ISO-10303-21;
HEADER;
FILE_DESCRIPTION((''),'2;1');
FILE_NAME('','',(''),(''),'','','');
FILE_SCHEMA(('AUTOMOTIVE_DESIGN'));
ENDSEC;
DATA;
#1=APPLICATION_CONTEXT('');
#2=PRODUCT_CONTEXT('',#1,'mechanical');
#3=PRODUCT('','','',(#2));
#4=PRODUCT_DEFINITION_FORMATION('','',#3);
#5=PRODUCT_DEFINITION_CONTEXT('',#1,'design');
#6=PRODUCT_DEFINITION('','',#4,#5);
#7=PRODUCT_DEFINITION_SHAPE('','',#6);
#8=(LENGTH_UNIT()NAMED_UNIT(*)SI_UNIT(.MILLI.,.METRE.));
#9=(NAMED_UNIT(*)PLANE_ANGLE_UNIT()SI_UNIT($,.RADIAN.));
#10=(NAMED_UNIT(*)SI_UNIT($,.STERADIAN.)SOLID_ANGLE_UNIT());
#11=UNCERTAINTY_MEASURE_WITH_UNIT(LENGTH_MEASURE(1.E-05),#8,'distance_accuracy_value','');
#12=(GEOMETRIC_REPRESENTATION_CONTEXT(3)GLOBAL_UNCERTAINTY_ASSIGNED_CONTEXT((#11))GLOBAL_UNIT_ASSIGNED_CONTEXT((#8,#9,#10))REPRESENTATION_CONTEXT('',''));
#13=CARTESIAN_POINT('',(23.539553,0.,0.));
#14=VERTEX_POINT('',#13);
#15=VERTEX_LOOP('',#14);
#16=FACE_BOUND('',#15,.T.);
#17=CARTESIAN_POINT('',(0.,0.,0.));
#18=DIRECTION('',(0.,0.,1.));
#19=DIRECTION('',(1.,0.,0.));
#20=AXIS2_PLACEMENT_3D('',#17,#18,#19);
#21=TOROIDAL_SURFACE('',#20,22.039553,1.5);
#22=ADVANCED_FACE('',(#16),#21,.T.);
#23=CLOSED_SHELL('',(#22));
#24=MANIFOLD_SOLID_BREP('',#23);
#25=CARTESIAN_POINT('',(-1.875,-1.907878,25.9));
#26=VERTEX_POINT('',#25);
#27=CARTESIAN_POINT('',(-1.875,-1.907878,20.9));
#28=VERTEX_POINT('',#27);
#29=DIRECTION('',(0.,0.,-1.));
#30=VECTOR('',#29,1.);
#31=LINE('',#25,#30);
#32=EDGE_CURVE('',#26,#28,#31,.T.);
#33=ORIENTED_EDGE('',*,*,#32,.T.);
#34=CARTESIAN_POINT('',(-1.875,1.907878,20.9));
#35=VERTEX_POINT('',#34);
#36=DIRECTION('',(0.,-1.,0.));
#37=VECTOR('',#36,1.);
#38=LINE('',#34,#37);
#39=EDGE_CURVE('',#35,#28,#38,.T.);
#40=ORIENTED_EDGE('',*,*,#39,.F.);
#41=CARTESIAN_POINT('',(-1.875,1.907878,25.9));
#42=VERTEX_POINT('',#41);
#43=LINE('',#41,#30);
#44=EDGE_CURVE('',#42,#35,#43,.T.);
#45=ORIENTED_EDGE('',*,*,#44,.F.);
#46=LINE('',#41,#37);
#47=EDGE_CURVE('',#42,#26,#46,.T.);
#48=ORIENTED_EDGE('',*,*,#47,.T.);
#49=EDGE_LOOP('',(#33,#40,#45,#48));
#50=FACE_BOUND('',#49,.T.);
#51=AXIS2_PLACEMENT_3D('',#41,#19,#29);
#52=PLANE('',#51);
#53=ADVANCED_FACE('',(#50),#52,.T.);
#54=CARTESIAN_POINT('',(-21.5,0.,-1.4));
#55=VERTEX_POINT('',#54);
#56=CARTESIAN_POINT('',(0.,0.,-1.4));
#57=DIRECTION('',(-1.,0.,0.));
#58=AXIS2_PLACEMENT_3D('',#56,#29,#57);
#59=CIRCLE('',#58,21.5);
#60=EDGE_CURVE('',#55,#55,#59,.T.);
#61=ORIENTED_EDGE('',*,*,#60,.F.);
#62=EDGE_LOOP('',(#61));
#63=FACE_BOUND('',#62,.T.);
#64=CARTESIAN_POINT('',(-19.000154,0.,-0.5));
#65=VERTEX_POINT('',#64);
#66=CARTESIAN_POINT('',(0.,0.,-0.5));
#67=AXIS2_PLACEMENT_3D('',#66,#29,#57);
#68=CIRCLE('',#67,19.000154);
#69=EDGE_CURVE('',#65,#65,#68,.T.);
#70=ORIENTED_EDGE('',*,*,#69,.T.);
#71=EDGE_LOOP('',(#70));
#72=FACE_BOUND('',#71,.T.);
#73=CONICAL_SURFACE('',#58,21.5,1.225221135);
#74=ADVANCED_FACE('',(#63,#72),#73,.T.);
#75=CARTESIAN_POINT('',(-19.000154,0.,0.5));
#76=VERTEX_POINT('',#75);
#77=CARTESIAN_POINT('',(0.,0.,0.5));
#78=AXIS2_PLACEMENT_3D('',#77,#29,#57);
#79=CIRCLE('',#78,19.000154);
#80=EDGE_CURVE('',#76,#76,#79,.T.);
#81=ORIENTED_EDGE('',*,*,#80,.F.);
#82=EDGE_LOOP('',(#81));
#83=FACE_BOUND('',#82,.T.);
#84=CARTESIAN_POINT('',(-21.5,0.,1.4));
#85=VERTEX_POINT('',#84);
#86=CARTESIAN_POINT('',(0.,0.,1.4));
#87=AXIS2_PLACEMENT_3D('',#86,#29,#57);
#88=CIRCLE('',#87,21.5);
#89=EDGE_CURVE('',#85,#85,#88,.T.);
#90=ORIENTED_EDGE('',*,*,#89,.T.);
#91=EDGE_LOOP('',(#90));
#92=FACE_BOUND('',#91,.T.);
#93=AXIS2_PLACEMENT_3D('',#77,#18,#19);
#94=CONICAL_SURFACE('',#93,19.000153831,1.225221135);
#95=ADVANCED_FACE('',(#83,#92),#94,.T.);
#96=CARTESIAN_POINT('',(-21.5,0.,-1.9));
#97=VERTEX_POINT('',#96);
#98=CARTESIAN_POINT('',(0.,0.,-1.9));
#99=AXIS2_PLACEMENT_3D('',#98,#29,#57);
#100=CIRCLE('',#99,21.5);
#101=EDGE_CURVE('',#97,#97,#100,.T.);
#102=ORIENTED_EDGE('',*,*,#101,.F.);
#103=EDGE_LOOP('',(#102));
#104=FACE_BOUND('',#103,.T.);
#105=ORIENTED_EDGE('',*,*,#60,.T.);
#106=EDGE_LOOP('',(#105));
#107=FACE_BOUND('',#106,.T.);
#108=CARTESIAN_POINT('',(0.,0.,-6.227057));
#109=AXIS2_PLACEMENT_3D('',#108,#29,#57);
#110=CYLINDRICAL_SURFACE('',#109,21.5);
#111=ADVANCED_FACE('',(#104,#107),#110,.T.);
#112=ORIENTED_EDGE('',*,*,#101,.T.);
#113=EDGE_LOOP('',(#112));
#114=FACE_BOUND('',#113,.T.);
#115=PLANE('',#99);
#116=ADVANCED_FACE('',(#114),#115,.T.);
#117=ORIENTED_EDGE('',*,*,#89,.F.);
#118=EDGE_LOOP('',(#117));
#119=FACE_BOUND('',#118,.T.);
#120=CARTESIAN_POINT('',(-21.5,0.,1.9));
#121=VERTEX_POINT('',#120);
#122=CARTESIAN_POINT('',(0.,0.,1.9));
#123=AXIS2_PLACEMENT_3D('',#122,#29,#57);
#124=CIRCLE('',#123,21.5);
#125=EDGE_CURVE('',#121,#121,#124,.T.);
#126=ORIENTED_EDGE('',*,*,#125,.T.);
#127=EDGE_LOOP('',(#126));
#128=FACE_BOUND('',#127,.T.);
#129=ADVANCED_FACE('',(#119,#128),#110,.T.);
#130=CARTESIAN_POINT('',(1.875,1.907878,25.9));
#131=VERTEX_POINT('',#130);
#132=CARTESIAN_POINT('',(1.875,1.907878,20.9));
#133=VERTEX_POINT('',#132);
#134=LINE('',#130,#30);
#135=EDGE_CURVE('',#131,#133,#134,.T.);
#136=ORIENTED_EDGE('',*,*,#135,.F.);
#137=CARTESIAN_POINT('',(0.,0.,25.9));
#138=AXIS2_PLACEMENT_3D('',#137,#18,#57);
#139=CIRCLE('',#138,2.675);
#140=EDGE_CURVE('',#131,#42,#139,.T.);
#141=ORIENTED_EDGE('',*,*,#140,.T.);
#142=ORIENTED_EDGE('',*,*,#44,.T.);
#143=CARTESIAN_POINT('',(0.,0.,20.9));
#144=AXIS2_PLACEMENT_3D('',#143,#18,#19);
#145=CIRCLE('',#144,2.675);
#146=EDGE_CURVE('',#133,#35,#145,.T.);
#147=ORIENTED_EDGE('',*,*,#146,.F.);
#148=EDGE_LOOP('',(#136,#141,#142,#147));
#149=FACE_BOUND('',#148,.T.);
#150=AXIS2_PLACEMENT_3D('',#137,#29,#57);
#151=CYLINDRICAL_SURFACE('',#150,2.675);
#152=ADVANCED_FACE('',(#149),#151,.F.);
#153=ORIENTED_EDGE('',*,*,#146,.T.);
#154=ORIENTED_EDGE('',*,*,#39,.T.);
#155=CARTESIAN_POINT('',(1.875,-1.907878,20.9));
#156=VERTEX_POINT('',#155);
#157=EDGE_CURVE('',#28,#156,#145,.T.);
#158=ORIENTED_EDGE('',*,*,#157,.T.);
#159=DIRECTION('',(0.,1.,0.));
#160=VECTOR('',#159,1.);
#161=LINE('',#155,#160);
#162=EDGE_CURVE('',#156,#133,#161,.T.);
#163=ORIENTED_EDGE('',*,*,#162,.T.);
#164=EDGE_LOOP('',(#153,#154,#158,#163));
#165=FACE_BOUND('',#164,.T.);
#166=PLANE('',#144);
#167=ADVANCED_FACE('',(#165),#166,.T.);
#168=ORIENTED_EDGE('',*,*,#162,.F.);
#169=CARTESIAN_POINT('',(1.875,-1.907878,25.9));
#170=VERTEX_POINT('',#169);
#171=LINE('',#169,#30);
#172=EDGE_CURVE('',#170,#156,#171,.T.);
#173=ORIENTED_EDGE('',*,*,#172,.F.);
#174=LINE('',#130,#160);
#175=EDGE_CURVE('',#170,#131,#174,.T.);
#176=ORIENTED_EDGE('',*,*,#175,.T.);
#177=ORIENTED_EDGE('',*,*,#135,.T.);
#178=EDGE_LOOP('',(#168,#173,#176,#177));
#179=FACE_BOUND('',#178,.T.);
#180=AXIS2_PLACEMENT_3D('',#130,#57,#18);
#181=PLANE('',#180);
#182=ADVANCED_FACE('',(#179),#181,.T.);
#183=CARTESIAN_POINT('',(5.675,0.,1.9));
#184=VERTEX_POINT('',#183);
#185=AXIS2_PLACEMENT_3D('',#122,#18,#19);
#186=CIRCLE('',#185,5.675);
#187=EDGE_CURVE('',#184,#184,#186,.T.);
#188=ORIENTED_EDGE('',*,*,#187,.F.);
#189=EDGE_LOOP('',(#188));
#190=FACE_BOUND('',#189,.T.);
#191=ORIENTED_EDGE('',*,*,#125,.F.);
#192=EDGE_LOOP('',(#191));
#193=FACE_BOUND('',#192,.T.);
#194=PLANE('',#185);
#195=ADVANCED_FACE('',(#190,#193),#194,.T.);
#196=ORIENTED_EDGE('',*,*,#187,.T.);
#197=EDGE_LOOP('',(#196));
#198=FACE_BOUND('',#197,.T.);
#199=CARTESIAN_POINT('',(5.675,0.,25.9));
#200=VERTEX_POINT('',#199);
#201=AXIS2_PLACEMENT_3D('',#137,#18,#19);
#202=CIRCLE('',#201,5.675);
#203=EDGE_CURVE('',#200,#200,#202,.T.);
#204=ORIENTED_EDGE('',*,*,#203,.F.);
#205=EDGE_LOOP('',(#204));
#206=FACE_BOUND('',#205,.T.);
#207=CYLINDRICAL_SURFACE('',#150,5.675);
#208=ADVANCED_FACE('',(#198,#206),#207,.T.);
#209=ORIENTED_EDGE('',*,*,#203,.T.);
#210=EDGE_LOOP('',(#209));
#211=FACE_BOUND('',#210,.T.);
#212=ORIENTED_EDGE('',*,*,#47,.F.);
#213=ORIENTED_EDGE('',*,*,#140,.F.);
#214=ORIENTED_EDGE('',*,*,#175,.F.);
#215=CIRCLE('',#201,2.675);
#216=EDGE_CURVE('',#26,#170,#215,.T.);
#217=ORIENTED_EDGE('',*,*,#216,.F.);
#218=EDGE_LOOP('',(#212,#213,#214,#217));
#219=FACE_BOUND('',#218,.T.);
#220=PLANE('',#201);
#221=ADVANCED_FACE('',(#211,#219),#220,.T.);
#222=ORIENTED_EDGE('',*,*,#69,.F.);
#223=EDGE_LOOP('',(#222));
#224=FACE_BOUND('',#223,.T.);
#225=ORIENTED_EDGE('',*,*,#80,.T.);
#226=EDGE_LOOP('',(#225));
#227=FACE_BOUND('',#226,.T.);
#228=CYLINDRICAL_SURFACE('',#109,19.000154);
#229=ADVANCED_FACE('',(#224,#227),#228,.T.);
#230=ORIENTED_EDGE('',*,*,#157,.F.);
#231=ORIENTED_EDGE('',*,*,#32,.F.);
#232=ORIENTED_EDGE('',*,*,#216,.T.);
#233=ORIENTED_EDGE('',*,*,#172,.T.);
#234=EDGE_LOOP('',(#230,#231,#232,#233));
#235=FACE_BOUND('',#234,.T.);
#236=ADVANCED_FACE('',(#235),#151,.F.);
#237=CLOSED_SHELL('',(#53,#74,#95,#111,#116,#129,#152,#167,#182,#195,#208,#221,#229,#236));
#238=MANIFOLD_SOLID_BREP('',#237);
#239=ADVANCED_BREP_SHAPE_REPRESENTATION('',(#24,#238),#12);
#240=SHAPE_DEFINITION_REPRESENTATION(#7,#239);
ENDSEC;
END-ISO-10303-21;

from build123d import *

# Parameters (mm, degrees)
CROQUIS3_R              = 5.675
SALIENTE_EXTRUIR2_DEPTH = 24
SALIENTE_EXTRUIR3_REACH = 48.199
SALIENTE_EXTRUIR3_START = -5
CROQUIS5_R              = 1.5


with BuildPart() as part:
    # Croquis1 → Revolución1 (revolve)
    with BuildSketch(Plane(origin=(0, 0, 0), x_dir=(0, 0, -1), z_dir=(1, 0, 0)), mode=Mode.PRIVATE) as revoluci_n1_sk:
        Polygon((-1.9, 0), (-1.9, 21.5), (-1.4, 21.5), (-0.5, 19.000153831), (0.5, 19.000153831), (1.4, 21.5), (1.9, 21.5), (1.9, 0), align=None)
    revolve(revoluci_n1_sk.sketch.rotate(Axis((0, 0, -6.227056579), (0, 0, 1)), 90), axis=Axis((0, 0, -6.227056579), (0, 0, 1)))

    # Croquis3 → Saliente-Extruir2 (add)
    with BuildSketch(Plane.XY.offset(1.9)):
        Circle(CROQUIS3_R)
        with BuildLine():
            Line((-1.875, 1.907878403), (-1.875, -1.907878403))
            ThreePointArc((-1.875, -1.907878403), (0, -2.675), (1.875, -1.907878403))
            Line((1.875, -1.907878403), (1.875, 1.907878403))
            ThreePointArc((1.875, 1.907878403), (0, 2.675), (-1.875, 1.907878403))
        make_face(mode=Mode.SUBTRACT)
    extrude(amount=SALIENTE_EXTRUIR2_DEPTH)

    # Croquis4 → Saliente-Extruir3 (add, up to next)
    with BuildSketch(Plane.XY.offset(25.9).offset(SALIENTE_EXTRUIR3_START), mode=Mode.PRIVATE) as saliente_extruir3_sk1:
        with BuildLine():
            Line((-1.875, 1.907878403), (-1.875, -1.907878403))
            ThreePointArc((-1.875, -1.907878403), (0, -2.675), (1.875, -1.907878403))
            Line((1.875, -1.907878403), (1.875, 1.907878403))
            ThreePointArc((1.875, 1.907878403), (0, 2.675), (-1.875, 1.907878403))
        make_face()
    saliente_extruir3_tool1 = extrude(saliente_extruir3_sk1.sketch, amount=-SALIENTE_EXTRUIR3_REACH, mode=Mode.PRIVATE) - part.part
    add(saliente_extruir3_tool1.solids().sort_by_distance((0, 0, 20.9))[0])


with BuildPart() as body_2:
    # Croquis5 → Revolución2 (revolve)
    with BuildSketch(Plane(origin=(0, 0, 0), x_dir=(0, 0, -1), z_dir=(1, 0, 0)), mode=Mode.PRIVATE) as revoluci_n2_sk:
        with Locations((0, 22.039552594)):
            Circle(CROQUIS5_R)
    revolve(revoluci_n2_sk.sketch.rotate(Axis((0, 0, 9.093206655), (0, 0, -1)), 90), axis=Axis((0, 0, 9.093206655), (0, 0, -1)))


solid = Compound([part.part, body_2.part])
